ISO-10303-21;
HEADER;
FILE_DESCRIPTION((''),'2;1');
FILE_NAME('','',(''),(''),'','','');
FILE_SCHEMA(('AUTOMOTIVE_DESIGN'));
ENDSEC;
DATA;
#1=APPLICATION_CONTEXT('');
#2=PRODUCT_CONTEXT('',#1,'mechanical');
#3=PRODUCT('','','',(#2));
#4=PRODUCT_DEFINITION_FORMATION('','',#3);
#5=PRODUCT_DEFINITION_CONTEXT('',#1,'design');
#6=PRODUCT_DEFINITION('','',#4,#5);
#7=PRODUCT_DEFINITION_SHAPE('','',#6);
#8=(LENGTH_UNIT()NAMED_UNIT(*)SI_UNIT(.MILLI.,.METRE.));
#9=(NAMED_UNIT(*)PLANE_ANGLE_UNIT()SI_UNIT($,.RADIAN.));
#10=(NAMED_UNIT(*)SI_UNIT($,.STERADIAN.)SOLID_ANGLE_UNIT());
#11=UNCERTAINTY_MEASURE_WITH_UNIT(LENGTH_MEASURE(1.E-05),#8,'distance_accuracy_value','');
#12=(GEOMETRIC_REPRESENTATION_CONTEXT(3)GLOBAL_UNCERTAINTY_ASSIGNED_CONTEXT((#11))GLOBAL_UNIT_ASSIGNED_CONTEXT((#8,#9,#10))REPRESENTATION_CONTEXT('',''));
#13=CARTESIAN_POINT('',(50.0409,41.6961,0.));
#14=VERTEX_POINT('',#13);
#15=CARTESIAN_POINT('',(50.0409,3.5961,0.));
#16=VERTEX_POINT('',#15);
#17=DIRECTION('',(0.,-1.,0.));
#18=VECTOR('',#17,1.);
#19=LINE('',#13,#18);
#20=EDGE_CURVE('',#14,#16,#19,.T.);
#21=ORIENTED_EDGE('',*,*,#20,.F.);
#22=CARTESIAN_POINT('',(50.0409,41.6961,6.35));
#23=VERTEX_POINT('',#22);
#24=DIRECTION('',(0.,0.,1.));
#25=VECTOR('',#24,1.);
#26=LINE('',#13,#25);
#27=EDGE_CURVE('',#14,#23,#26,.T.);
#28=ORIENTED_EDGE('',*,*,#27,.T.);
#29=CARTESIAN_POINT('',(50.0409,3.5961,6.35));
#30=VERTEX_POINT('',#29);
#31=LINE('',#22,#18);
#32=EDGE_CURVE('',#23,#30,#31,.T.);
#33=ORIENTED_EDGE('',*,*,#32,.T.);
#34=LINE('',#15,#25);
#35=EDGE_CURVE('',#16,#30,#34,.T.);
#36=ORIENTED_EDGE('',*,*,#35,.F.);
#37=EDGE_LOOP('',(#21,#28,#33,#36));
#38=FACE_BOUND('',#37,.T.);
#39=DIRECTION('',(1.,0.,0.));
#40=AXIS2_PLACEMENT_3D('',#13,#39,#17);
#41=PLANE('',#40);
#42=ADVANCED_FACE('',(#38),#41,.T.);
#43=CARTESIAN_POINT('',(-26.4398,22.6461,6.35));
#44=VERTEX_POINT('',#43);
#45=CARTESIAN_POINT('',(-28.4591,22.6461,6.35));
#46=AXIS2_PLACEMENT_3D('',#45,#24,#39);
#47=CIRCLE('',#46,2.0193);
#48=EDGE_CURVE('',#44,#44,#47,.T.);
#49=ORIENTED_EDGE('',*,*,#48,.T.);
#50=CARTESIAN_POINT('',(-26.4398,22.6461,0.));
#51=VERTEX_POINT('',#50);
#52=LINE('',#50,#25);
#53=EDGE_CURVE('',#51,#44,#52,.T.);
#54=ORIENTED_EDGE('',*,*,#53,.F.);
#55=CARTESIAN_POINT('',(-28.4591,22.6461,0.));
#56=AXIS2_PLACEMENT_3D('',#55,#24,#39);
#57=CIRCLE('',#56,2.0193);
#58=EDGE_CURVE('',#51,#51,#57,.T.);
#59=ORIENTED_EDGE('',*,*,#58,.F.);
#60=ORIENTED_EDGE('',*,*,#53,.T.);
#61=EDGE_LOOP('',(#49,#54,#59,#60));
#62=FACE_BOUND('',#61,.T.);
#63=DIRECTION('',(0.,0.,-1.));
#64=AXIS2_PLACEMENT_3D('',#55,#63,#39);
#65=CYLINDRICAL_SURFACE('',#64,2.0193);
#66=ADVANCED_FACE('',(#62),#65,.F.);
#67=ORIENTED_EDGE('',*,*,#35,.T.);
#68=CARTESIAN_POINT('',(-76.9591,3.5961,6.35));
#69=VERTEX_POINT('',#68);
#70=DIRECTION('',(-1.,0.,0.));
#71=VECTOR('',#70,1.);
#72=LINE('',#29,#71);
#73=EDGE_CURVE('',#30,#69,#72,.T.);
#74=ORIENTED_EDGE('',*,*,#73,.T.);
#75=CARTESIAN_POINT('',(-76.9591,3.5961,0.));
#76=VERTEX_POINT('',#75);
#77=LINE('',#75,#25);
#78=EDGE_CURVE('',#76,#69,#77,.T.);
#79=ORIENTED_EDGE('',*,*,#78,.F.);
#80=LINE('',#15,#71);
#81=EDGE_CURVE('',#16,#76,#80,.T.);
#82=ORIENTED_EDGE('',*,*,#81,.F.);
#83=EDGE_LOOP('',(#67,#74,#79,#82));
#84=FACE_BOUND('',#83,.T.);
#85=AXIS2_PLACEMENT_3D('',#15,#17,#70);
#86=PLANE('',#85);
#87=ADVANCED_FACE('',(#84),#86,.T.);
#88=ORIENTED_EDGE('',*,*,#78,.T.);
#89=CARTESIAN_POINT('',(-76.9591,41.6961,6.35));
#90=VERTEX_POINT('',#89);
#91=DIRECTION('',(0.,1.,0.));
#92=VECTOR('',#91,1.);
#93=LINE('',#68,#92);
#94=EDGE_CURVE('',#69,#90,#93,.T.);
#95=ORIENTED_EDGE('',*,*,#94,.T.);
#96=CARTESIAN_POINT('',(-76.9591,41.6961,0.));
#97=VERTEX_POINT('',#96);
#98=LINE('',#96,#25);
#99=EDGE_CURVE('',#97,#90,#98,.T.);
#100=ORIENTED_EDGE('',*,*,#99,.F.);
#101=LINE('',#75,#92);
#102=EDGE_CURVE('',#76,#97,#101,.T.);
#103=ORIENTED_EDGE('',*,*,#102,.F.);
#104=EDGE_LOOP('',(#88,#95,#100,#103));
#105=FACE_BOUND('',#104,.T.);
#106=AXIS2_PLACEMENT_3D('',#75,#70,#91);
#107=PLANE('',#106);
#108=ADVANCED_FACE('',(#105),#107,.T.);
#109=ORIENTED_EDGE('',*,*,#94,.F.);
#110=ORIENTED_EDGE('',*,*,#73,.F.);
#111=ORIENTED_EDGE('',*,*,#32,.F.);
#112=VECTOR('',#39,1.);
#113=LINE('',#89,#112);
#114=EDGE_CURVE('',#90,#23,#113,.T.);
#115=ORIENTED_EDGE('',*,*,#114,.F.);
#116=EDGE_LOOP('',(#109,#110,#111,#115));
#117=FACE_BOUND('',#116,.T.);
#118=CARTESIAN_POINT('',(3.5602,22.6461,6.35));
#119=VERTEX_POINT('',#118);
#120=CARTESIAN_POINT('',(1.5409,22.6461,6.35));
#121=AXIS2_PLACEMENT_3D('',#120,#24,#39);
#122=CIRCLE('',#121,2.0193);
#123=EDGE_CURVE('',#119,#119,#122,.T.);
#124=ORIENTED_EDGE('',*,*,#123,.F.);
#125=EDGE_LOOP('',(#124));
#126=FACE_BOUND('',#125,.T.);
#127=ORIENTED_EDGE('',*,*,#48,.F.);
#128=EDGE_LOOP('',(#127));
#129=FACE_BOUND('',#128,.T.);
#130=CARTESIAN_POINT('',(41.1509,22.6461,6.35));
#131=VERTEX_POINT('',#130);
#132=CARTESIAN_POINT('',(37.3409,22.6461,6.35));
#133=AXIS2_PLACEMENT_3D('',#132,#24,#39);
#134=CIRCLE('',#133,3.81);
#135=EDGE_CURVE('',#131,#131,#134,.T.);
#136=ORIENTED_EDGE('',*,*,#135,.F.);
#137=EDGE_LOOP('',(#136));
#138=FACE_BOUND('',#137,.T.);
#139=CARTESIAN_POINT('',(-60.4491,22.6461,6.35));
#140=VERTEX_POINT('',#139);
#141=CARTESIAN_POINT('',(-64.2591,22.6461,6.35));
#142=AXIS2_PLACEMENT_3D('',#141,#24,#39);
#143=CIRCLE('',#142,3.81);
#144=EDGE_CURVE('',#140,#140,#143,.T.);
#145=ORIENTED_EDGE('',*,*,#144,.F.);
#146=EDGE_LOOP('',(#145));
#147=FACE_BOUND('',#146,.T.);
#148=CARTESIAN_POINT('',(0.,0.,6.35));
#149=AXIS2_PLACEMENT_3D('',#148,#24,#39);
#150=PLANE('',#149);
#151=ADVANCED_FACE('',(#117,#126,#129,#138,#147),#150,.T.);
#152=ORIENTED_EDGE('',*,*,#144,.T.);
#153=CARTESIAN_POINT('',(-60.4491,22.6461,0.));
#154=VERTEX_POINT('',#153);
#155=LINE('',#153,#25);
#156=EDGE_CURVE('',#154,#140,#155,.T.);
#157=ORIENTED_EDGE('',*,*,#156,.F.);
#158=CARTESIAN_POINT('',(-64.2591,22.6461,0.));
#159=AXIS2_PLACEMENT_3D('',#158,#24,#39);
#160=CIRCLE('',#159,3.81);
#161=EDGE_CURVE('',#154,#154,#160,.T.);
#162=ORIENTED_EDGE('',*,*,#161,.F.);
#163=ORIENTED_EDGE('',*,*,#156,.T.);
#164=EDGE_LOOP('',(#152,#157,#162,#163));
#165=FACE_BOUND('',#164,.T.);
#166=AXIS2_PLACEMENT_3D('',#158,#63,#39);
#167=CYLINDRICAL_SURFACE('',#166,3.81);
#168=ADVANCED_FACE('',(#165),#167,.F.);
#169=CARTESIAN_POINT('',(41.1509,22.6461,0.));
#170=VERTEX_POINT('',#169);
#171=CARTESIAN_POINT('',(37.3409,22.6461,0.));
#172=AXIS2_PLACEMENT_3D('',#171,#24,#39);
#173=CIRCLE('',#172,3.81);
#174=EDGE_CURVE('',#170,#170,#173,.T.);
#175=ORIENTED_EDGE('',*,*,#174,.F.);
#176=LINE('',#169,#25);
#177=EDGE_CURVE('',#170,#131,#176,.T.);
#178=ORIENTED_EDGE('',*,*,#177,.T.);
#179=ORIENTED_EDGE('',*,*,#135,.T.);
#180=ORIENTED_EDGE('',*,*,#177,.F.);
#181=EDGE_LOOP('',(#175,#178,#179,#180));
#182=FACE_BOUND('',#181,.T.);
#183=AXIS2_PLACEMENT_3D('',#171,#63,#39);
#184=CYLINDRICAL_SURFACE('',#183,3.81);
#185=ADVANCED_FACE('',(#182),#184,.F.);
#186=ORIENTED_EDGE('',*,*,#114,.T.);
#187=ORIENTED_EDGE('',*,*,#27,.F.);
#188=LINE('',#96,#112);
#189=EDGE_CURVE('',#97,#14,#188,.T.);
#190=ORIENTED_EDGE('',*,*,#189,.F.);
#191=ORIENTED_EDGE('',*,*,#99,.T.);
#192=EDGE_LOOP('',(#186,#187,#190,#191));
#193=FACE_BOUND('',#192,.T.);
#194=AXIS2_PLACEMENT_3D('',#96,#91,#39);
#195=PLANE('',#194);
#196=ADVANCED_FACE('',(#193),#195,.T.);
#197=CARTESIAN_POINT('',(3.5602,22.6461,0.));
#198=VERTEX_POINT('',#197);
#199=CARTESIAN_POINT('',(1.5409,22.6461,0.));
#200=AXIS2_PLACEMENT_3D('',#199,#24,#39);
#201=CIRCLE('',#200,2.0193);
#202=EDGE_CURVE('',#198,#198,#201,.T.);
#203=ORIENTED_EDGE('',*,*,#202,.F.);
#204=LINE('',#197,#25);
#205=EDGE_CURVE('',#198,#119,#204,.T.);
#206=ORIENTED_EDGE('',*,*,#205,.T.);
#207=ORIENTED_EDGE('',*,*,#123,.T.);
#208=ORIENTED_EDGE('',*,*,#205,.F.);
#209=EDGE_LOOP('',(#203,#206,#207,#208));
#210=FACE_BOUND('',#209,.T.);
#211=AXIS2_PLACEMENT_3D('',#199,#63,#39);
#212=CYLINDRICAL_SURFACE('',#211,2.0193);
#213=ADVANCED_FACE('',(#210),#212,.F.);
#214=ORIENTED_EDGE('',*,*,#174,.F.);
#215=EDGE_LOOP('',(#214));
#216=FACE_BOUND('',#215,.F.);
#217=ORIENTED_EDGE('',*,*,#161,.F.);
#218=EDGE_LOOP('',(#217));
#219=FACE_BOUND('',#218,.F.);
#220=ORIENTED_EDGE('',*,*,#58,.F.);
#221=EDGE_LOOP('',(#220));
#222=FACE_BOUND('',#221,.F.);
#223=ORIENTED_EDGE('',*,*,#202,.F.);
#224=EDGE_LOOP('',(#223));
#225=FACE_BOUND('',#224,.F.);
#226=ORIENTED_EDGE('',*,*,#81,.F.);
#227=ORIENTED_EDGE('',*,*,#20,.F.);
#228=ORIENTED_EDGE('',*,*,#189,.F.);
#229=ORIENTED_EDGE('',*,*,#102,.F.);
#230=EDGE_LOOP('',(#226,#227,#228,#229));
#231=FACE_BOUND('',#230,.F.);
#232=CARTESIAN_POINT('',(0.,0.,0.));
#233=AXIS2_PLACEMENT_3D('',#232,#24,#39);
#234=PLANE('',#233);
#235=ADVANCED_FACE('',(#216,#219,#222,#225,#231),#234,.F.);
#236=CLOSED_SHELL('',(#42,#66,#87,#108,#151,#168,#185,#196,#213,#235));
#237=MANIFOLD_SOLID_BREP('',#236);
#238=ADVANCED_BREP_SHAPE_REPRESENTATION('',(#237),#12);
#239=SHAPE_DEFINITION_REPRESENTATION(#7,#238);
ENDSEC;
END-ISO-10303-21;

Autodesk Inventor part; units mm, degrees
ref_plane "YZ Plane" through (0, 0, 0) normal (1, 0, 0) x (0, 1, 0)
ref_plane "XZ Plane" through (0, 0, 0) normal (0, 1, 0) x (-1, 0, 0)
ref_plane "XY Plane" through (0, 0, 0) normal (0, 0, 1) x (1, 0, 0)
sketch "Sketch1" plane through (0, 0, 0) normal (0, 0, 1) x (1, 0, 0)
  line L0 (-76.9591, 41.6961) -> (50.0409, 41.6961)
  line L1 (50.0409, 41.6961) -> (50.0409, 3.5961)
  line L2 (50.0409, 3.5961) -> (-76.9591, 3.5961)
  line L3 (-76.9591, 3.5961) -> (-76.9591, 41.6961)
  circle A0 centre (-28.4591, 22.6461) radius 2.0193
  circle A1 centre (1.5409, 22.6461) radius 2.0193
  circle A2 centre (-64.2591, 22.6461) radius 3.81
  circle A3 centre (37.3409, 22.6461) radius 3.81
  point P0 (0, 0)
  dimension "d0" = 127
  dimension "d1" = 38.1
  dimension "d4" = 4.0386
  dimension "d5" = 4.0386
  dimension "d8" = 7.62
  dimension "d9" = 7.62
extrude "Extrusion1" add sketch "Sketch1" along normal blind 6.35
properties part number "z axis mount"
